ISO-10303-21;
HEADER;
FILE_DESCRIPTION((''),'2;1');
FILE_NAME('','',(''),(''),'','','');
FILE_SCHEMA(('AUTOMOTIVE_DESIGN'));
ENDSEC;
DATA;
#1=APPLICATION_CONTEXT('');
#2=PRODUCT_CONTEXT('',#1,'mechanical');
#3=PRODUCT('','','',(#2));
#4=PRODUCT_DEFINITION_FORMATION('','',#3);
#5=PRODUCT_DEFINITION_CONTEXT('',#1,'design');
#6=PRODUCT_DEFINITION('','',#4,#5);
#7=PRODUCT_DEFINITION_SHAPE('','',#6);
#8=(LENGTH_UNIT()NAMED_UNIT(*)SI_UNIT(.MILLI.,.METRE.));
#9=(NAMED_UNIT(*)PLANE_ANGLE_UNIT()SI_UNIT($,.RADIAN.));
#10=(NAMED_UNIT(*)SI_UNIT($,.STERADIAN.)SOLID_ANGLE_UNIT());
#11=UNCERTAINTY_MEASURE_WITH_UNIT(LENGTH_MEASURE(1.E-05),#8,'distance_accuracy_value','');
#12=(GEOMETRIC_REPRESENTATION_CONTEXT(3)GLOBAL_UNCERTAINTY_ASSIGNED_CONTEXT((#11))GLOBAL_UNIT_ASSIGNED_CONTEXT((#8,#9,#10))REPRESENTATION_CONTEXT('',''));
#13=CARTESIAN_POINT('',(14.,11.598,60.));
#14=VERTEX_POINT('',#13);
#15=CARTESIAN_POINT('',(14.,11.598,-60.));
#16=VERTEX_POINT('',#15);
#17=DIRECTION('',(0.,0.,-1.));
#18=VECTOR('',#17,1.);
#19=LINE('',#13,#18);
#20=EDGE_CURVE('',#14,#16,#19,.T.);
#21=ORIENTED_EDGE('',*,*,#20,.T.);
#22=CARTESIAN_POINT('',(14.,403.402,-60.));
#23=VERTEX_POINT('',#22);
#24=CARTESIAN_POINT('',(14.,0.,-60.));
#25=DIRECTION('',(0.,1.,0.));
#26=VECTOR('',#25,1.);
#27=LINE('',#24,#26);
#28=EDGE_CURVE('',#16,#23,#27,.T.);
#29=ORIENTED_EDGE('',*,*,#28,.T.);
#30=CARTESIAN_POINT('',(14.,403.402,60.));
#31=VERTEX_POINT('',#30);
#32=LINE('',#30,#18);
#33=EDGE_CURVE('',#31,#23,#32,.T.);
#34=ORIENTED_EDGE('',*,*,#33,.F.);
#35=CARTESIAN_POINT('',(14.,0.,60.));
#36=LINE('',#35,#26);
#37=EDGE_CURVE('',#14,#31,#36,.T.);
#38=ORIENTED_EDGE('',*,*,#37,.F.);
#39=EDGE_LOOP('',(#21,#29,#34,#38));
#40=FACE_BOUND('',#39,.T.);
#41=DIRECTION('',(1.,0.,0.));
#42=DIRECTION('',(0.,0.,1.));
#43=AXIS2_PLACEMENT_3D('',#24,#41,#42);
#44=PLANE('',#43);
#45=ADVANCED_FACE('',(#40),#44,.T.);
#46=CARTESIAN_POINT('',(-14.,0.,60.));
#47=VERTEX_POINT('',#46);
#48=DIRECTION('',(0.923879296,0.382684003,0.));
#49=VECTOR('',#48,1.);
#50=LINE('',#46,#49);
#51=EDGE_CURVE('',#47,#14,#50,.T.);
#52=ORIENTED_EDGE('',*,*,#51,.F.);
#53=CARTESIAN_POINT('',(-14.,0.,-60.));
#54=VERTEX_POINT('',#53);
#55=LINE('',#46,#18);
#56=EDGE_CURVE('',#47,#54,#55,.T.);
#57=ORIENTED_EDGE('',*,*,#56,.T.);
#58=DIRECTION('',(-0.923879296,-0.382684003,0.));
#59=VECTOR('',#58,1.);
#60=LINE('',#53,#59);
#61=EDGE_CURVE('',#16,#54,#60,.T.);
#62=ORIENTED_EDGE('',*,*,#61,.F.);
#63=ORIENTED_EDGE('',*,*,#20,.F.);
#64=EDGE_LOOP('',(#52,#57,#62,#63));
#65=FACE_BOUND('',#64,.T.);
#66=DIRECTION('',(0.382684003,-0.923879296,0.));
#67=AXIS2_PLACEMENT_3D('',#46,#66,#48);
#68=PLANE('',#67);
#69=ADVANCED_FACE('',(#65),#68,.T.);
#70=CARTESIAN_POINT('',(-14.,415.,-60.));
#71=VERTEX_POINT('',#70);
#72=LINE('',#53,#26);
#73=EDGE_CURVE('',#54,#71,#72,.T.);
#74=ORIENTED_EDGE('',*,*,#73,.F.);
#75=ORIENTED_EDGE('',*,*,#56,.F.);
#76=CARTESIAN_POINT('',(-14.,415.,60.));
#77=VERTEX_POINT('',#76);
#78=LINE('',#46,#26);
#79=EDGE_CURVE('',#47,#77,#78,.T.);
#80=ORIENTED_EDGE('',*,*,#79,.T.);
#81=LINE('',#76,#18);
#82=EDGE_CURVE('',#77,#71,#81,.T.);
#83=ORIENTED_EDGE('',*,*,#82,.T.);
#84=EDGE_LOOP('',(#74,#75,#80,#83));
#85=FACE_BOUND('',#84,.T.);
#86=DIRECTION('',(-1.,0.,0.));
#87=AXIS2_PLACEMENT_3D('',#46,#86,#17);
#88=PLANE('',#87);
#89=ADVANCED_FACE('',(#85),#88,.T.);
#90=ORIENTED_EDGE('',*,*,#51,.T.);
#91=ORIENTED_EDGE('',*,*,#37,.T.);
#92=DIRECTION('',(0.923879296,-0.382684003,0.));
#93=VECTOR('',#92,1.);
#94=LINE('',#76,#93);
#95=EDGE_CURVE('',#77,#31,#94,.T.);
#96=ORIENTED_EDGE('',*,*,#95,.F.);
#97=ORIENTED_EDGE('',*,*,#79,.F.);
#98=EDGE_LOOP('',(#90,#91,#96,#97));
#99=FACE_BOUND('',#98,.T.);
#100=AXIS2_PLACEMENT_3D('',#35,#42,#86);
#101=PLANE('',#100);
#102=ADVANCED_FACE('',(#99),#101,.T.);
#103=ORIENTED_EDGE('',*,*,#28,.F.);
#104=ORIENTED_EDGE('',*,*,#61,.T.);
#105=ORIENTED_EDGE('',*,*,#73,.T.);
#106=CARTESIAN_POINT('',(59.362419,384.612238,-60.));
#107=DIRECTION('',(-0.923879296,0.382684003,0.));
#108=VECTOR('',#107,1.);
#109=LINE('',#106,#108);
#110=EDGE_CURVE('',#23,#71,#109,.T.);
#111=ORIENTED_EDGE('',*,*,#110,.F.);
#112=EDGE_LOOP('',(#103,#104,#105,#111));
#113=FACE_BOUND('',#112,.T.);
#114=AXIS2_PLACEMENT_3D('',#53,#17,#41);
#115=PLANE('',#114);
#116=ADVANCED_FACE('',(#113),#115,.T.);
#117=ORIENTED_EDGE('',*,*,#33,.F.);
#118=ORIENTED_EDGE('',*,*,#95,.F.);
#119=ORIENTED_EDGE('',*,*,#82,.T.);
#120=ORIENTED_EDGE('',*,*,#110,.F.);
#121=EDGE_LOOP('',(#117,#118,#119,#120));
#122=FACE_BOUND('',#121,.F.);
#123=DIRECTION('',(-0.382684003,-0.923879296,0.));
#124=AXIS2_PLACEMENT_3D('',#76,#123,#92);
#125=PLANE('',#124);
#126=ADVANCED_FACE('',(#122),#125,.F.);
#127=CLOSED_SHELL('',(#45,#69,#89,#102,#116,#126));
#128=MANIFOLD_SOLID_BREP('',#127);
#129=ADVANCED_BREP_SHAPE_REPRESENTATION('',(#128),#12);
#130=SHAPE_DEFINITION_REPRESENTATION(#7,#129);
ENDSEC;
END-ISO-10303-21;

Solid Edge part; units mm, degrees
sketch "Sketch1" plane through (0, 0, 0) normal (0, -1, 0) x (1, 0, 0)
  line L0 (-14, -60) -> (14, -60)
  line L1 (14, -60) -> (14, 60)
  line L2 (14, 60) -> (-14, 60)
  line L3 (-14, 60) -> (-14, -60)
extrude "Protrusion1" add sketch "Sketch1" against normal blind 415
sketch "Sketch2" plane through (0, 207.5, 60) normal (0, 0, 1) x (0, 1, 0)
  line L0 (-207.5, 14) -> (-195.902, -14)
  line L1 (-195.902, -14) -> (-207.5, -14)
  line L2 (-207.5, -14) -> (-207.5, 14)
  line L3 (207.5, 14) -> (195.902, -14)
  line L4 (195.902, -14) -> (207.5, -14)
  line L5 (207.5, -14) -> (207.5, 14)
extrude "ExtrudedCutout_1" cut sketch "Sketch2" against normal blind 173.1206
